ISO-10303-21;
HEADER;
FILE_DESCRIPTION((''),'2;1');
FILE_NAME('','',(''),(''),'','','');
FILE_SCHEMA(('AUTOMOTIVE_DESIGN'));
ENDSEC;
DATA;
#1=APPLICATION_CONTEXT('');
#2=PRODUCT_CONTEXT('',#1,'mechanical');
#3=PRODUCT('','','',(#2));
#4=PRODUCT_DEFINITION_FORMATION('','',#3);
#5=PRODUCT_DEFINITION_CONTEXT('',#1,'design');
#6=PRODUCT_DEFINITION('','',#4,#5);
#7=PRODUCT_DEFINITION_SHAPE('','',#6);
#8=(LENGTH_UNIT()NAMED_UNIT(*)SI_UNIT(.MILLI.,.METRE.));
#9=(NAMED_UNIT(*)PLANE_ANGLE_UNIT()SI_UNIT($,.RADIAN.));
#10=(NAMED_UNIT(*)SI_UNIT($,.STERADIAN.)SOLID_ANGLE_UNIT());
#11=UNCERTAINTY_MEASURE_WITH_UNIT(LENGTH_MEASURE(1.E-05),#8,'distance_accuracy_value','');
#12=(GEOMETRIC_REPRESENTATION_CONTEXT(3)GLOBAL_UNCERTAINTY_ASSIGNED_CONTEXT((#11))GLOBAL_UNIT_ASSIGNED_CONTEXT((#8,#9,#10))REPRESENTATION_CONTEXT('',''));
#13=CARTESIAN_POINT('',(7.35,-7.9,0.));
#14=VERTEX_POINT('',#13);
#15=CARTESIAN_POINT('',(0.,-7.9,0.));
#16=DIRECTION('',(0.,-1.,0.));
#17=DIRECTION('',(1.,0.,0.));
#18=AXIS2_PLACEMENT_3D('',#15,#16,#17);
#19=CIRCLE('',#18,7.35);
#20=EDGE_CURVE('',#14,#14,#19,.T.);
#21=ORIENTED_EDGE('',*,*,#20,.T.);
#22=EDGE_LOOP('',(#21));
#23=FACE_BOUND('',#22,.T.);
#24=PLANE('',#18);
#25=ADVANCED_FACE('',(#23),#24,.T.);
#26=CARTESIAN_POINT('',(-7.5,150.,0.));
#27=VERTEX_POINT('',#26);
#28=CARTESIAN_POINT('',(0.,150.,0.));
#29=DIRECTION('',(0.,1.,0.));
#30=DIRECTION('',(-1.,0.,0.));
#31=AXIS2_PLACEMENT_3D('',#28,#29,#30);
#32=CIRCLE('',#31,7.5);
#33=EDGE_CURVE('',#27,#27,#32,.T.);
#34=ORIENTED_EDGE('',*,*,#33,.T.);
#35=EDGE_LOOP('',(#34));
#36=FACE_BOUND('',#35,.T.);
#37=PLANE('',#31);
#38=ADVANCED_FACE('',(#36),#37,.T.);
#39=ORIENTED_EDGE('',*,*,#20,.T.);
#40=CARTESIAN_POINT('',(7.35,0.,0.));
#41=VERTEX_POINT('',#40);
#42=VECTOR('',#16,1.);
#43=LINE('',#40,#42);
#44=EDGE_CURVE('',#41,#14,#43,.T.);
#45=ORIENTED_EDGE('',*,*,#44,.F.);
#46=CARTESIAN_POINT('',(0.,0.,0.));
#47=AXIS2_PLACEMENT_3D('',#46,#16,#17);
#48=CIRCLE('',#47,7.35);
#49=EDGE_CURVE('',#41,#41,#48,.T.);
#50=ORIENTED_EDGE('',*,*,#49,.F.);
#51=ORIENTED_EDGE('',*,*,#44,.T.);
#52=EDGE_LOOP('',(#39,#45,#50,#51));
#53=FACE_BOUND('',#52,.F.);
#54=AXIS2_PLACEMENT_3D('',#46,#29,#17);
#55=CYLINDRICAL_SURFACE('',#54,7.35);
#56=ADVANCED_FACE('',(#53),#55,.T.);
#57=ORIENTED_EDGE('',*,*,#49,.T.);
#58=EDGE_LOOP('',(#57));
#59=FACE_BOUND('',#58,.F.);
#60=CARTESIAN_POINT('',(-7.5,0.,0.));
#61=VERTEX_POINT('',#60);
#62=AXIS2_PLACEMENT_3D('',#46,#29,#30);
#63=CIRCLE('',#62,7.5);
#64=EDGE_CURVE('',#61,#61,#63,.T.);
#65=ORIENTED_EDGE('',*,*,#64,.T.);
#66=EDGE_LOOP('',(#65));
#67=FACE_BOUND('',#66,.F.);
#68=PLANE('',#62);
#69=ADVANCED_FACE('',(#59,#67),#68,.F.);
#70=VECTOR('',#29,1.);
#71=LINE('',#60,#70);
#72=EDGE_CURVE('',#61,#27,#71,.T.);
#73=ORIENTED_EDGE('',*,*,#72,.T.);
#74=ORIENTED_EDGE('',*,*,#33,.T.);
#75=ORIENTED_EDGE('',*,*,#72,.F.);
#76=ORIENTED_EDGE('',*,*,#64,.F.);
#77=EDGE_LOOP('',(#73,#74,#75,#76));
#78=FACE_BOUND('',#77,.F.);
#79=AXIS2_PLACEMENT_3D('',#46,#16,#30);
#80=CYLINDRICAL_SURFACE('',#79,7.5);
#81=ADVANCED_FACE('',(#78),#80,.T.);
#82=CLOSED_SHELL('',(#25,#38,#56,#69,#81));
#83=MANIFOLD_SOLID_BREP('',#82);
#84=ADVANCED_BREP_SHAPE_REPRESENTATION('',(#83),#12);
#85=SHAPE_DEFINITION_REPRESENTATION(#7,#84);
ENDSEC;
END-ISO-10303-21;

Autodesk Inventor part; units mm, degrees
ref_plane "YZ Plane" through (0, 0, 0) normal (1, 0, 0) x (0, 1, 0)
ref_plane "XZ Plane" through (0, 0, 0) normal (0, 1, 0) x (-1, 0, 0)
ref_plane "XY Plane" through (0, 0, 0) normal (0, 0, 1) x (1, 0, 0)
sketch "Esquisse1" plane through (0, 0, 0) normal (0, 1, 0) x (-1, 0, 0)
  circle A0 centre (0, 0) radius 7.5
  dimension "d0" = 15
extrude "Extrusion1" add sketch "Esquisse1" along normal blind 150
sketch "Esquisse2" plane through (0, 0, 0) normal (0, -1, 0) x (1, 0, 0)
  circle A0 centre (0, 0) radius 7.35
  dimension "d3" = 14.7
extrude "Extrusion2" add sketch "Esquisse2" along normal blind 7.9
properties part number "Test_Colonne"
